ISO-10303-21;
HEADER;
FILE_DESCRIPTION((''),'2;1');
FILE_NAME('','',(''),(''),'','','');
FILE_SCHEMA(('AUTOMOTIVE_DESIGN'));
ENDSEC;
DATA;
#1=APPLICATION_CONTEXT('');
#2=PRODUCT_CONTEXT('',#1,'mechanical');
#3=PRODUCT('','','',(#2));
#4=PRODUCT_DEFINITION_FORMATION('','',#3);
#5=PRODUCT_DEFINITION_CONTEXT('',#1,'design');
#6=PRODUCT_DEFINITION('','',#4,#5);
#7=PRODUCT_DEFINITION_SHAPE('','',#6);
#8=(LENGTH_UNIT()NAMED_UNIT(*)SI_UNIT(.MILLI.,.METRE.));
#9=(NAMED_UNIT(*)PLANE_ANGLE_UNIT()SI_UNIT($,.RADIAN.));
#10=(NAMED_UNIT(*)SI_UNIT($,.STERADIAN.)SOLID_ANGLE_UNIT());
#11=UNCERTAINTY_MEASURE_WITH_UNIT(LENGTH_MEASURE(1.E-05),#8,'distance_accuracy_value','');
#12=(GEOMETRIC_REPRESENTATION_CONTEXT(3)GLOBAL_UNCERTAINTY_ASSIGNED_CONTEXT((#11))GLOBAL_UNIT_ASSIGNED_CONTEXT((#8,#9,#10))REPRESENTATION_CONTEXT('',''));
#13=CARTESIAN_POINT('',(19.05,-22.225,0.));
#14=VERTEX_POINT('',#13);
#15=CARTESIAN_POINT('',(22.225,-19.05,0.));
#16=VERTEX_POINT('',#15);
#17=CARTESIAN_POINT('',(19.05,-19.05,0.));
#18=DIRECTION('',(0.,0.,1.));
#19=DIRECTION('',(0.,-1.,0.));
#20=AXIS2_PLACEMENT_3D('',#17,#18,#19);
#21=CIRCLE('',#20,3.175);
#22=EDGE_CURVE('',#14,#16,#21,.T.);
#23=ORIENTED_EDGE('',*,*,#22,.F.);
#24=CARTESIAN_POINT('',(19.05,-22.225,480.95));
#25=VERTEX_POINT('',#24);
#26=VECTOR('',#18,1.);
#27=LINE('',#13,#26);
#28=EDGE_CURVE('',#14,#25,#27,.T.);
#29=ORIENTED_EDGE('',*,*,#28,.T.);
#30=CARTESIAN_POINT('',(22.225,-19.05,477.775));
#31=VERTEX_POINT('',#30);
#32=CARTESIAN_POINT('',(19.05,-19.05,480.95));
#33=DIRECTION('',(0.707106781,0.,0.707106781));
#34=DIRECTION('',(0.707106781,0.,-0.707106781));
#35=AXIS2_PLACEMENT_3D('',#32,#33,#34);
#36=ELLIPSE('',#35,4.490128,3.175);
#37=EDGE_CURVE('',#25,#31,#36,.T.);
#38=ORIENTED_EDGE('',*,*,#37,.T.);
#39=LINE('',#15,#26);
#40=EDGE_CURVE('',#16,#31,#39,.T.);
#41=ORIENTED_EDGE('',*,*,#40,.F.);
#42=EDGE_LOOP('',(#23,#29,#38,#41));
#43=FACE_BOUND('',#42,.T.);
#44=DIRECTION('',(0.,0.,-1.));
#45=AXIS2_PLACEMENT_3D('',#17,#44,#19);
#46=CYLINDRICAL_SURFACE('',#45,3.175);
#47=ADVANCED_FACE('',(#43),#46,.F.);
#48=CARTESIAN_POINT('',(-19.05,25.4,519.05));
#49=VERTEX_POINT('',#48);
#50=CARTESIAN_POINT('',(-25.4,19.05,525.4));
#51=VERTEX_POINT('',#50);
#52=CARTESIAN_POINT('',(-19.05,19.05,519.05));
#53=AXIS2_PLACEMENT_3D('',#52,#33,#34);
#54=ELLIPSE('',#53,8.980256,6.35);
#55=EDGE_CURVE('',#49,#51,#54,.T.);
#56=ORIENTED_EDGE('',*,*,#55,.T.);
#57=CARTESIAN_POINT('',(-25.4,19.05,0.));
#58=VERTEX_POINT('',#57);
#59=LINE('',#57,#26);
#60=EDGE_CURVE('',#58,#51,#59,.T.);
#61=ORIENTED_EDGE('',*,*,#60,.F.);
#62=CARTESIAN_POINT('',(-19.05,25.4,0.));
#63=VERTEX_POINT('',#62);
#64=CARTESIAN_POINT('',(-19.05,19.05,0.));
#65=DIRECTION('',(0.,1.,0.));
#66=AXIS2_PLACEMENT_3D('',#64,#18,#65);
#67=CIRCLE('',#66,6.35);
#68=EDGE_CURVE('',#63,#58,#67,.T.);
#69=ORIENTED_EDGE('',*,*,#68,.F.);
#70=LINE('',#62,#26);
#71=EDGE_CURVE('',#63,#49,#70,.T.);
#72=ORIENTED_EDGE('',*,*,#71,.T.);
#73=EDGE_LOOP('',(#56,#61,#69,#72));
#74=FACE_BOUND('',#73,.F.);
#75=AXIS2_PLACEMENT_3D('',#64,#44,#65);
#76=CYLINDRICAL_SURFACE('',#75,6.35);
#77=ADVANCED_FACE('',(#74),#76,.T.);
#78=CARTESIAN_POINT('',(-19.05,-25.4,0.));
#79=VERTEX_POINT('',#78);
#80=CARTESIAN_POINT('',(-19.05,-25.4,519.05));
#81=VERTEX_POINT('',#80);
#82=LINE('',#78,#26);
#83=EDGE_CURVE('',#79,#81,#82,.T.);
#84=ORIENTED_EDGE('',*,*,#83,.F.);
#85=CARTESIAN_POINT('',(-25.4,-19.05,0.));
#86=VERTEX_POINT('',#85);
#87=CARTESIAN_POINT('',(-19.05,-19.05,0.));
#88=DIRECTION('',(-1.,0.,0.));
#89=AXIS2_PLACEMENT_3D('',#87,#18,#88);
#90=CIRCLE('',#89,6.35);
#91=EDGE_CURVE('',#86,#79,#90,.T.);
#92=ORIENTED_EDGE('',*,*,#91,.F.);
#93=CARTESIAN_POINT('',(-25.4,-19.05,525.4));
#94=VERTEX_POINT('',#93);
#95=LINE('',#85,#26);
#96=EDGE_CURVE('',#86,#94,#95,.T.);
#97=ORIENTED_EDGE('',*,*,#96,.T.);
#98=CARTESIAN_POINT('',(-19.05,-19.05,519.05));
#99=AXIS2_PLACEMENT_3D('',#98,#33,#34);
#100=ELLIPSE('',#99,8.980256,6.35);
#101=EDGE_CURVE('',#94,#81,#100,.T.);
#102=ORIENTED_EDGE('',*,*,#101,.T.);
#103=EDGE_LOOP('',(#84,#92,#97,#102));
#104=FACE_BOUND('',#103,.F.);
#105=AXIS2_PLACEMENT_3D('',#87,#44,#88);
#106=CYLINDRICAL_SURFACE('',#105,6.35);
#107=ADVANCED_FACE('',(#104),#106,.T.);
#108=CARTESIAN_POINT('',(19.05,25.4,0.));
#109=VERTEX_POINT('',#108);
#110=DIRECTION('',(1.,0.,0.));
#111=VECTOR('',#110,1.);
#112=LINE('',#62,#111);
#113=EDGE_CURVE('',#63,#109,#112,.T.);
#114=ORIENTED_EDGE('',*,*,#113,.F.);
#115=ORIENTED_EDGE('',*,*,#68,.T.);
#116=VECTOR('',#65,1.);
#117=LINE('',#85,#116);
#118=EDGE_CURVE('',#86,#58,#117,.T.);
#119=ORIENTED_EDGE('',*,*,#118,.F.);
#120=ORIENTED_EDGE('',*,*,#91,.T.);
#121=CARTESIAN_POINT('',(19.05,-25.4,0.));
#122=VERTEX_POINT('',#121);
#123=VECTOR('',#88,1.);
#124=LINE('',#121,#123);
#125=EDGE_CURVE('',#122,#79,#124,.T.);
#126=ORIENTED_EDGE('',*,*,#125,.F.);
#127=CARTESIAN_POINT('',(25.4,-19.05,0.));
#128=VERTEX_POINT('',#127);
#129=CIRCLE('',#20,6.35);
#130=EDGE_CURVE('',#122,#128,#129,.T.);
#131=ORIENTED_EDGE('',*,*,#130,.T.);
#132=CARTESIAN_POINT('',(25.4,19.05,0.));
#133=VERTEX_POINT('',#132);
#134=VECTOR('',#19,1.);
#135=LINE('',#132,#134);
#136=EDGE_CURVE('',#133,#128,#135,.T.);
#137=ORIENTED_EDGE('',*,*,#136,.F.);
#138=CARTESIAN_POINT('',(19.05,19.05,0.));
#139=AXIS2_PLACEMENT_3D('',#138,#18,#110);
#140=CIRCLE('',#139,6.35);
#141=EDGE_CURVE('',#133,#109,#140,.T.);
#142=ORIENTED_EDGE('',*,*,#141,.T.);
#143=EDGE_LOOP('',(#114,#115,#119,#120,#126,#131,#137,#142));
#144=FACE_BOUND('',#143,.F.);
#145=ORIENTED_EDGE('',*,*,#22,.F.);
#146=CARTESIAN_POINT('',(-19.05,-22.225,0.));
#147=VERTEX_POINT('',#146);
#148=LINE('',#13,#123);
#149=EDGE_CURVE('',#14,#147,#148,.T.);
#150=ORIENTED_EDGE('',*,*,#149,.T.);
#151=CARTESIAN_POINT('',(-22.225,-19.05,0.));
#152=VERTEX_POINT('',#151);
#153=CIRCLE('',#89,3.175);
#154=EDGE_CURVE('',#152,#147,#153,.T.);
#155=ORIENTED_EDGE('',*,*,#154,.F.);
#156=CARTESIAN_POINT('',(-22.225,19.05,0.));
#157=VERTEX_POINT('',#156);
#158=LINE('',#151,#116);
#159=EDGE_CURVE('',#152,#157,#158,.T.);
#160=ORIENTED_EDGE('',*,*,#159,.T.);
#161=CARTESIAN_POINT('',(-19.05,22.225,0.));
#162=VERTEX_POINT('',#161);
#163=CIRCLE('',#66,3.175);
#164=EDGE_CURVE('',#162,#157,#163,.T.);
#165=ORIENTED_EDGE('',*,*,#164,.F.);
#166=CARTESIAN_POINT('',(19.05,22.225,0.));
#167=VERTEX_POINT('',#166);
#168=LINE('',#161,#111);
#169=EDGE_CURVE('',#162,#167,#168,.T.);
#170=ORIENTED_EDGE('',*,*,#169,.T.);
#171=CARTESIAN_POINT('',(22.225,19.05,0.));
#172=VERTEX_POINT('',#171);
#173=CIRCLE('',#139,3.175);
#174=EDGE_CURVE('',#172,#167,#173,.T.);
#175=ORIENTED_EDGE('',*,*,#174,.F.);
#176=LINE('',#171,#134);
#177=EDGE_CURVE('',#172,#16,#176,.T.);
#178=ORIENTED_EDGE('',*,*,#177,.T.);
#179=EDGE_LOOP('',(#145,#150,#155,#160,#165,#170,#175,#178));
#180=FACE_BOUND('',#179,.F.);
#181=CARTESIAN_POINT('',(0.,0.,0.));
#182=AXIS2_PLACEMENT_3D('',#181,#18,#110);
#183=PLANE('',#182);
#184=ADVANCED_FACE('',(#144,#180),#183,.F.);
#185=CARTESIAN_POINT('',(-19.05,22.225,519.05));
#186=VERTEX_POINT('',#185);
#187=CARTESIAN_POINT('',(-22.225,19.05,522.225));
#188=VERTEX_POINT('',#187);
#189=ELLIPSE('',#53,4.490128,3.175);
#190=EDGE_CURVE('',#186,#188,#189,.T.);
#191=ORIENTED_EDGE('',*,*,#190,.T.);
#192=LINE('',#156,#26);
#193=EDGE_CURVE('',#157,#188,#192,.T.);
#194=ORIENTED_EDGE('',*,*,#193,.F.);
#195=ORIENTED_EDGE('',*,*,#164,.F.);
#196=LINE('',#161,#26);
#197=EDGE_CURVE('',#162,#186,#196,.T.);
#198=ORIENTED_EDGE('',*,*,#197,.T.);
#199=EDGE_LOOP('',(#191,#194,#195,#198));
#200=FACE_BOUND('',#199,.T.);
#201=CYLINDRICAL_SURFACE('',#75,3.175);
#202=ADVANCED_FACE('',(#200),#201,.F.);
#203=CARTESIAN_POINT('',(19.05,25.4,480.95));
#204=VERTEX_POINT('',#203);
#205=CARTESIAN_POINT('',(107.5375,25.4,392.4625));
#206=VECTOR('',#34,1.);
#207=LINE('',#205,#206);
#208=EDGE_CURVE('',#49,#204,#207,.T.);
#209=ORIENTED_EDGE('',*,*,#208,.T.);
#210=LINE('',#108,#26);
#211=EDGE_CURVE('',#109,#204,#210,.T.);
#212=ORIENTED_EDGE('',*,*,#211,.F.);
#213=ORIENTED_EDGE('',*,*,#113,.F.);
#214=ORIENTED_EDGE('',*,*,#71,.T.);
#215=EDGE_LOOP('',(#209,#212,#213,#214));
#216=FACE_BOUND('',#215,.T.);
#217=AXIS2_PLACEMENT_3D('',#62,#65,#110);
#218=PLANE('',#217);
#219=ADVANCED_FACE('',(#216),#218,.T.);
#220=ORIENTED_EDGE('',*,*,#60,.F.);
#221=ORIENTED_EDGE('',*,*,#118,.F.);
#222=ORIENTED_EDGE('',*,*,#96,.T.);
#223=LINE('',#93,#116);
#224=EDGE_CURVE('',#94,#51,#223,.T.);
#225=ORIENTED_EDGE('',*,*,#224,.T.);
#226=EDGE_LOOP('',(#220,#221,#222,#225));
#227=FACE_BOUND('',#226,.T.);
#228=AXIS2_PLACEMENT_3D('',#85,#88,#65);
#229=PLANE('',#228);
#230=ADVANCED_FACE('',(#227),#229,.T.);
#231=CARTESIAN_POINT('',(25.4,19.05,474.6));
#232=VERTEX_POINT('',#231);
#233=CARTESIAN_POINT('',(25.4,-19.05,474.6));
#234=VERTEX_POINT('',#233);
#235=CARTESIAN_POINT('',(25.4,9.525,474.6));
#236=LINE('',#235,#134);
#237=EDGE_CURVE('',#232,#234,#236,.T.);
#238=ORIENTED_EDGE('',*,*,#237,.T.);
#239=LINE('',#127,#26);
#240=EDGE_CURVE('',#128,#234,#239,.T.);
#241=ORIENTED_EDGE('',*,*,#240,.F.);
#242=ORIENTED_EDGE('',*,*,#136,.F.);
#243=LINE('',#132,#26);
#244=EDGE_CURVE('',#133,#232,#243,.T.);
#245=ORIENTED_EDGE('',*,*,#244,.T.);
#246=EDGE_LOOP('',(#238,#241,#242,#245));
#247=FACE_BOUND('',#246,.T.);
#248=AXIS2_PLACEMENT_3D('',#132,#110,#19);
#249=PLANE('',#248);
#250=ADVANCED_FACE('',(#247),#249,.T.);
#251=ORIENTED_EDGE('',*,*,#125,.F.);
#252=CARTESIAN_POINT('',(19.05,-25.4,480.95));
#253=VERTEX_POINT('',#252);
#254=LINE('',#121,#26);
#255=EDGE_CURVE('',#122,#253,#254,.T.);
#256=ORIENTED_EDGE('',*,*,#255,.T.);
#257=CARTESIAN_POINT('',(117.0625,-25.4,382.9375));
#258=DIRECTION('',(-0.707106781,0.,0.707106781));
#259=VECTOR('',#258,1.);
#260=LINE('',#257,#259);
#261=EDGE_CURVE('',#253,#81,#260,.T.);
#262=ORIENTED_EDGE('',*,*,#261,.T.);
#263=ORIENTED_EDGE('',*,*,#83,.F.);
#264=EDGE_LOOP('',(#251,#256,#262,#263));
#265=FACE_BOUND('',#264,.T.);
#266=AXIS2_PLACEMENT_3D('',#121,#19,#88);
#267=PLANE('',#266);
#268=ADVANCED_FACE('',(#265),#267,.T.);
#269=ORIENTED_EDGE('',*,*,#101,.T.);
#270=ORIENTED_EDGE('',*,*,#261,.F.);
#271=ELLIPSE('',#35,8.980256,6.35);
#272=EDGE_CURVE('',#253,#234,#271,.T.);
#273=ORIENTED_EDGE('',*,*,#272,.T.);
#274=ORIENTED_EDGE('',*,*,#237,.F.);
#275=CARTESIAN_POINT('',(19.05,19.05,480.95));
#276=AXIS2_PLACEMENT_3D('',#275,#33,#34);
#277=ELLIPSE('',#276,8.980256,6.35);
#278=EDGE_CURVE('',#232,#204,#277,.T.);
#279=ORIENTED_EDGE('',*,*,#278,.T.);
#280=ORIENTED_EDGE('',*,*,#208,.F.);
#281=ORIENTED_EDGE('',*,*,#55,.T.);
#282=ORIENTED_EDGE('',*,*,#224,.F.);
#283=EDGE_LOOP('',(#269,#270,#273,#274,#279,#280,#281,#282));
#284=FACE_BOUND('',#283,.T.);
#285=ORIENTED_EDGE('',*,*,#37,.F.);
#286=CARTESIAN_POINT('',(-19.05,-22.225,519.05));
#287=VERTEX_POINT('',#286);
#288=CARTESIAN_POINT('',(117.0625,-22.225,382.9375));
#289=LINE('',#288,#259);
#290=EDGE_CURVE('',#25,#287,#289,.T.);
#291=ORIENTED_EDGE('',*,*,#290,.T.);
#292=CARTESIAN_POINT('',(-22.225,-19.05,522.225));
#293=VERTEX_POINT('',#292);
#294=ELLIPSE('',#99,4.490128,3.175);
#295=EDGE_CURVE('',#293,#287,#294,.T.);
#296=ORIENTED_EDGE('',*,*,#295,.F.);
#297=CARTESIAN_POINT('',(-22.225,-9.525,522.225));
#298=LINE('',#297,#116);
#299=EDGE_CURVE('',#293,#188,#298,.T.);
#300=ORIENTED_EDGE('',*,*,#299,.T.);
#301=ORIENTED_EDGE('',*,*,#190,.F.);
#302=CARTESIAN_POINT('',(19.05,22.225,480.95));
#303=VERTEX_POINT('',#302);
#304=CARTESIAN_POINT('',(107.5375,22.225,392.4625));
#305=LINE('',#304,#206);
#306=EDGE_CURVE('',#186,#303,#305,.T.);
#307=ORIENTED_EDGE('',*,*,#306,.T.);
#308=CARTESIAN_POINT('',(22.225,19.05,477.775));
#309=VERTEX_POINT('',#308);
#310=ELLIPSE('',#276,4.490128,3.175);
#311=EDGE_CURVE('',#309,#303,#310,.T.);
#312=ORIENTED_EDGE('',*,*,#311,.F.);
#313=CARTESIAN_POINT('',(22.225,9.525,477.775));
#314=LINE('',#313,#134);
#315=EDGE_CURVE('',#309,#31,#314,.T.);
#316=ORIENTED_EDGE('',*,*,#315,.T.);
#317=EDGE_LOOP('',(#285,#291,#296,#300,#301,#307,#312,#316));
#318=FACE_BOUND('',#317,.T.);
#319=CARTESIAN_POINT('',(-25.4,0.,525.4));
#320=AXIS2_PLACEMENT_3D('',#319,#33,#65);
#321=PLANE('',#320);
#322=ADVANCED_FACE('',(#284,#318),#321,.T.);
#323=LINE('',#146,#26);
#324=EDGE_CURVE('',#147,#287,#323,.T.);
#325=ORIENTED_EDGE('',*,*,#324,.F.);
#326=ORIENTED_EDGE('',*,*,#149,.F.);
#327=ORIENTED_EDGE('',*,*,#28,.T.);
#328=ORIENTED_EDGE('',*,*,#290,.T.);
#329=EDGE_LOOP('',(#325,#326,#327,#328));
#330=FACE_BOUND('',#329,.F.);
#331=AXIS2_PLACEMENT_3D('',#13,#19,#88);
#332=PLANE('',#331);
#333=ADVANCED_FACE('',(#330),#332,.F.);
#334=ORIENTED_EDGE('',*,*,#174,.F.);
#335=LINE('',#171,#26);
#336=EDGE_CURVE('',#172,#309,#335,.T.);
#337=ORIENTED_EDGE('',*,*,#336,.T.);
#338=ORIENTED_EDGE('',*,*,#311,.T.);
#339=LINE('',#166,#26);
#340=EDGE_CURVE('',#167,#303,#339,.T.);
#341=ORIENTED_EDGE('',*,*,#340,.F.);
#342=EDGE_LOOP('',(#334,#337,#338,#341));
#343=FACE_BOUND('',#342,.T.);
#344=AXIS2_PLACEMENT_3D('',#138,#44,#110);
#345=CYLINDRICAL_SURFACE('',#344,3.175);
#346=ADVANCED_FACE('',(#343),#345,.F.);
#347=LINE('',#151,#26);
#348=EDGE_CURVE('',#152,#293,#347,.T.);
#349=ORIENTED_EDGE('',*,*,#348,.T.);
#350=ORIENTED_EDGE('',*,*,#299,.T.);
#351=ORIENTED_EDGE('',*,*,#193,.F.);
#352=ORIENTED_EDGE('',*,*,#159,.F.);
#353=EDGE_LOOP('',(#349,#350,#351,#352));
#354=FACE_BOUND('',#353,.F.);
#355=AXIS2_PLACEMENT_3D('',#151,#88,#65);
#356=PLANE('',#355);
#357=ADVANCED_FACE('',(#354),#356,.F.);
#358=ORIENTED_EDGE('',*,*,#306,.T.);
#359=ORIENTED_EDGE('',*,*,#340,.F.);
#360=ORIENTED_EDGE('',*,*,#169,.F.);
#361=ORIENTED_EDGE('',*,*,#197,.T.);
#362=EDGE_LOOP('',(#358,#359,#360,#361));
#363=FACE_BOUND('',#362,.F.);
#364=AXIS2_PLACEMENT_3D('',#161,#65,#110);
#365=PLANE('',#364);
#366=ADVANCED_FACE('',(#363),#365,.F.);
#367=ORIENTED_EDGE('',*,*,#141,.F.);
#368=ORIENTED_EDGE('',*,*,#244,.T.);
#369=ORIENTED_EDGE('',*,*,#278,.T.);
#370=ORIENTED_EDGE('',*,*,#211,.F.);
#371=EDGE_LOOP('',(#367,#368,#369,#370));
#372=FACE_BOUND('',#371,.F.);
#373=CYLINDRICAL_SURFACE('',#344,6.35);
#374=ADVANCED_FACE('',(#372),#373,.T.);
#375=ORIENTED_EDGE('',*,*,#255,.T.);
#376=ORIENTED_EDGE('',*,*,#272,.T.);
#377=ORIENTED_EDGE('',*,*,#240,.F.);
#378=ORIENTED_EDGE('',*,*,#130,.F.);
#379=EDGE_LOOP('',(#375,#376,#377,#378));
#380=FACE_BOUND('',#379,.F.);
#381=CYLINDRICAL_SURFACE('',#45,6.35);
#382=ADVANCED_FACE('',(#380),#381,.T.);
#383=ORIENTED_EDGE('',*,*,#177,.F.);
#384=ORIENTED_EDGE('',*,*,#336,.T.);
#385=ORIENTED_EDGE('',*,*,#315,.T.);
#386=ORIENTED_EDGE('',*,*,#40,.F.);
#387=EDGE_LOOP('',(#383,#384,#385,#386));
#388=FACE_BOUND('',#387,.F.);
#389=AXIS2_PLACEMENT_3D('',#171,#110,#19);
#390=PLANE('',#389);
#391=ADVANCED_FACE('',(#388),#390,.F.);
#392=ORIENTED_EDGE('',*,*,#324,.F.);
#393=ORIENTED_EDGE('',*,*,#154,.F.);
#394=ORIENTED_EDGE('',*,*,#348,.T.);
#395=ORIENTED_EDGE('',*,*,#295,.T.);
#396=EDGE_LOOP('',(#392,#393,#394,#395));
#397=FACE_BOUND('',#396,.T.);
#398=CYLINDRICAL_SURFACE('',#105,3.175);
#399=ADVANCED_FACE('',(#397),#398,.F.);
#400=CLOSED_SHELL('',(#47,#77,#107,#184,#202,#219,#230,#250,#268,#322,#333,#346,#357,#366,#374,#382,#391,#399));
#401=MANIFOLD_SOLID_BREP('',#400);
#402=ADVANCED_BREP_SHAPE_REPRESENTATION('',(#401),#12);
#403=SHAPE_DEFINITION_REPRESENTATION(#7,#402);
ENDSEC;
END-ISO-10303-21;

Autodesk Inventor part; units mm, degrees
ref_plane "Plano inicial" through (0, 0, 0) normal (0, 0, 1) x (1, 0, 0)
ref_plane "Plano final" through (0, 0, 525.4) normal (0, 0, 1) x (1, 0, 0)
sketch "Boceto" plane through (0, 0, 0) normal (0, 0, 1) x (1, 0, 0)
  line L0 (-25.4, -19.05) -> (-25.4, 19.05)
  line L1 (-19.05, 25.4) -> (19.05, 25.4)
  line L2 (25.4, 19.05) -> (25.4, -19.05)
  line L3 (19.05, -25.4) -> (-19.05, -25.4)
  arc A0 (-25.4, -19.05) -> (-19.05, -25.4) centre (-19.05, -19.05) ccw
  arc A1 (-19.05, 25.4) -> (-25.4, 19.05) centre (-19.05, 19.05) ccw
  arc A2 (25.4, 19.05) -> (19.05, 25.4) centre (19.05, 19.05) ccw
  arc A3 (19.05, -25.4) -> (25.4, -19.05) centre (19.05, -19.05) ccw
  arc A4 (-19.05, 22.225) -> (-22.225, 19.05) centre (-19.05, 19.05) ccw
  line L4 (-19.05, 22.225) -> (19.05, 22.225)
  arc A5 (22.225, 19.05) -> (19.05, 22.225) centre (19.05, 19.05) ccw
  line L5 (22.225, 19.05) -> (22.225, -19.05)
  arc A6 (19.05, -22.225) -> (22.225, -19.05) centre (19.05, -19.05) ccw
  line L6 (19.05, -22.225) -> (-19.05, -22.225)
  arc A7 (-22.225, -19.05) -> (-19.05, -22.225) centre (-19.05, -19.05) ccw
  line L7 (-22.225, -19.05) -> (-22.225, 19.05)
  line L8 (0, 37.4012) -> (0, -37.4012) construction
  line L9 (-37.4012, 0) -> (37.4012, 0) construction
  dimension "d10" = 50.8
  dimension "d11" = 50.8
  dimension "d12" = 3.175
  dimension "d15" = 25.4
  dimension "d16" = 25.4
  dimension "d17" = 6.35
extrude "Cuerpo" add sketch "Boceto" along normal up to surface (525.4 mm away) from surface at 0
sketch "Sketch3" plane through (0, 0, 0) normal (0, 0, 1) x (1, 0, 0)
  line L0 (0, 0) -> (10, 0)
ref_plane "Work Plane3" through (0, 0, 0) normal (0, -1, 0) x (1, 0, 0)
ref_plane "Plano de trabajo4" through (-25.4, 0, 525.4) normal (0.7071, 0, 0.7071) x (0.7071, 0, -0.7071)
split "Dividir1" plane through (-25.4, 0, 525.4) removes the side toward (0.7071, 0, 0.7071)
sketch "Sketch4" plane through (0, 0, 0) normal (0, -1, 0) x (1, 0, 0)
  line L0 (-2, 0) -> (12, 0) projected
  line L1 (-2, 525.4) -> (12, 525.4) projected
  dimension "d19" = 525.4
equation "\"d10\" = G_H"
equation "\"d11\" = G_W"
equation "\"d12\" = G_T"
equation "\"d15\" = 0.5 * d10"
equation "\"d16\" = 0.5 * d11"
equation "\"d17\" = G_IR"
equation "\"d3\" = G_L"
equation "\"G_W\" = 50.8"
equation "\"G_H\" = 50.8"
equation "\"G_T\" = 3.175"
equation "\"G_IR\" = 6.35"
equation "\"G_L\" = d19"
equation "\"G_OFFSET_START\" = 0"
equation "\"G_OFFSET_END\" = 25.4"
equation "\"d14\" = G_OFFSET_END + B_L"
equation "\"B_L\" = 500"
properties part number "AISC - 2 x 2 x 1/8 - 20,685" material "Acero, suave"
